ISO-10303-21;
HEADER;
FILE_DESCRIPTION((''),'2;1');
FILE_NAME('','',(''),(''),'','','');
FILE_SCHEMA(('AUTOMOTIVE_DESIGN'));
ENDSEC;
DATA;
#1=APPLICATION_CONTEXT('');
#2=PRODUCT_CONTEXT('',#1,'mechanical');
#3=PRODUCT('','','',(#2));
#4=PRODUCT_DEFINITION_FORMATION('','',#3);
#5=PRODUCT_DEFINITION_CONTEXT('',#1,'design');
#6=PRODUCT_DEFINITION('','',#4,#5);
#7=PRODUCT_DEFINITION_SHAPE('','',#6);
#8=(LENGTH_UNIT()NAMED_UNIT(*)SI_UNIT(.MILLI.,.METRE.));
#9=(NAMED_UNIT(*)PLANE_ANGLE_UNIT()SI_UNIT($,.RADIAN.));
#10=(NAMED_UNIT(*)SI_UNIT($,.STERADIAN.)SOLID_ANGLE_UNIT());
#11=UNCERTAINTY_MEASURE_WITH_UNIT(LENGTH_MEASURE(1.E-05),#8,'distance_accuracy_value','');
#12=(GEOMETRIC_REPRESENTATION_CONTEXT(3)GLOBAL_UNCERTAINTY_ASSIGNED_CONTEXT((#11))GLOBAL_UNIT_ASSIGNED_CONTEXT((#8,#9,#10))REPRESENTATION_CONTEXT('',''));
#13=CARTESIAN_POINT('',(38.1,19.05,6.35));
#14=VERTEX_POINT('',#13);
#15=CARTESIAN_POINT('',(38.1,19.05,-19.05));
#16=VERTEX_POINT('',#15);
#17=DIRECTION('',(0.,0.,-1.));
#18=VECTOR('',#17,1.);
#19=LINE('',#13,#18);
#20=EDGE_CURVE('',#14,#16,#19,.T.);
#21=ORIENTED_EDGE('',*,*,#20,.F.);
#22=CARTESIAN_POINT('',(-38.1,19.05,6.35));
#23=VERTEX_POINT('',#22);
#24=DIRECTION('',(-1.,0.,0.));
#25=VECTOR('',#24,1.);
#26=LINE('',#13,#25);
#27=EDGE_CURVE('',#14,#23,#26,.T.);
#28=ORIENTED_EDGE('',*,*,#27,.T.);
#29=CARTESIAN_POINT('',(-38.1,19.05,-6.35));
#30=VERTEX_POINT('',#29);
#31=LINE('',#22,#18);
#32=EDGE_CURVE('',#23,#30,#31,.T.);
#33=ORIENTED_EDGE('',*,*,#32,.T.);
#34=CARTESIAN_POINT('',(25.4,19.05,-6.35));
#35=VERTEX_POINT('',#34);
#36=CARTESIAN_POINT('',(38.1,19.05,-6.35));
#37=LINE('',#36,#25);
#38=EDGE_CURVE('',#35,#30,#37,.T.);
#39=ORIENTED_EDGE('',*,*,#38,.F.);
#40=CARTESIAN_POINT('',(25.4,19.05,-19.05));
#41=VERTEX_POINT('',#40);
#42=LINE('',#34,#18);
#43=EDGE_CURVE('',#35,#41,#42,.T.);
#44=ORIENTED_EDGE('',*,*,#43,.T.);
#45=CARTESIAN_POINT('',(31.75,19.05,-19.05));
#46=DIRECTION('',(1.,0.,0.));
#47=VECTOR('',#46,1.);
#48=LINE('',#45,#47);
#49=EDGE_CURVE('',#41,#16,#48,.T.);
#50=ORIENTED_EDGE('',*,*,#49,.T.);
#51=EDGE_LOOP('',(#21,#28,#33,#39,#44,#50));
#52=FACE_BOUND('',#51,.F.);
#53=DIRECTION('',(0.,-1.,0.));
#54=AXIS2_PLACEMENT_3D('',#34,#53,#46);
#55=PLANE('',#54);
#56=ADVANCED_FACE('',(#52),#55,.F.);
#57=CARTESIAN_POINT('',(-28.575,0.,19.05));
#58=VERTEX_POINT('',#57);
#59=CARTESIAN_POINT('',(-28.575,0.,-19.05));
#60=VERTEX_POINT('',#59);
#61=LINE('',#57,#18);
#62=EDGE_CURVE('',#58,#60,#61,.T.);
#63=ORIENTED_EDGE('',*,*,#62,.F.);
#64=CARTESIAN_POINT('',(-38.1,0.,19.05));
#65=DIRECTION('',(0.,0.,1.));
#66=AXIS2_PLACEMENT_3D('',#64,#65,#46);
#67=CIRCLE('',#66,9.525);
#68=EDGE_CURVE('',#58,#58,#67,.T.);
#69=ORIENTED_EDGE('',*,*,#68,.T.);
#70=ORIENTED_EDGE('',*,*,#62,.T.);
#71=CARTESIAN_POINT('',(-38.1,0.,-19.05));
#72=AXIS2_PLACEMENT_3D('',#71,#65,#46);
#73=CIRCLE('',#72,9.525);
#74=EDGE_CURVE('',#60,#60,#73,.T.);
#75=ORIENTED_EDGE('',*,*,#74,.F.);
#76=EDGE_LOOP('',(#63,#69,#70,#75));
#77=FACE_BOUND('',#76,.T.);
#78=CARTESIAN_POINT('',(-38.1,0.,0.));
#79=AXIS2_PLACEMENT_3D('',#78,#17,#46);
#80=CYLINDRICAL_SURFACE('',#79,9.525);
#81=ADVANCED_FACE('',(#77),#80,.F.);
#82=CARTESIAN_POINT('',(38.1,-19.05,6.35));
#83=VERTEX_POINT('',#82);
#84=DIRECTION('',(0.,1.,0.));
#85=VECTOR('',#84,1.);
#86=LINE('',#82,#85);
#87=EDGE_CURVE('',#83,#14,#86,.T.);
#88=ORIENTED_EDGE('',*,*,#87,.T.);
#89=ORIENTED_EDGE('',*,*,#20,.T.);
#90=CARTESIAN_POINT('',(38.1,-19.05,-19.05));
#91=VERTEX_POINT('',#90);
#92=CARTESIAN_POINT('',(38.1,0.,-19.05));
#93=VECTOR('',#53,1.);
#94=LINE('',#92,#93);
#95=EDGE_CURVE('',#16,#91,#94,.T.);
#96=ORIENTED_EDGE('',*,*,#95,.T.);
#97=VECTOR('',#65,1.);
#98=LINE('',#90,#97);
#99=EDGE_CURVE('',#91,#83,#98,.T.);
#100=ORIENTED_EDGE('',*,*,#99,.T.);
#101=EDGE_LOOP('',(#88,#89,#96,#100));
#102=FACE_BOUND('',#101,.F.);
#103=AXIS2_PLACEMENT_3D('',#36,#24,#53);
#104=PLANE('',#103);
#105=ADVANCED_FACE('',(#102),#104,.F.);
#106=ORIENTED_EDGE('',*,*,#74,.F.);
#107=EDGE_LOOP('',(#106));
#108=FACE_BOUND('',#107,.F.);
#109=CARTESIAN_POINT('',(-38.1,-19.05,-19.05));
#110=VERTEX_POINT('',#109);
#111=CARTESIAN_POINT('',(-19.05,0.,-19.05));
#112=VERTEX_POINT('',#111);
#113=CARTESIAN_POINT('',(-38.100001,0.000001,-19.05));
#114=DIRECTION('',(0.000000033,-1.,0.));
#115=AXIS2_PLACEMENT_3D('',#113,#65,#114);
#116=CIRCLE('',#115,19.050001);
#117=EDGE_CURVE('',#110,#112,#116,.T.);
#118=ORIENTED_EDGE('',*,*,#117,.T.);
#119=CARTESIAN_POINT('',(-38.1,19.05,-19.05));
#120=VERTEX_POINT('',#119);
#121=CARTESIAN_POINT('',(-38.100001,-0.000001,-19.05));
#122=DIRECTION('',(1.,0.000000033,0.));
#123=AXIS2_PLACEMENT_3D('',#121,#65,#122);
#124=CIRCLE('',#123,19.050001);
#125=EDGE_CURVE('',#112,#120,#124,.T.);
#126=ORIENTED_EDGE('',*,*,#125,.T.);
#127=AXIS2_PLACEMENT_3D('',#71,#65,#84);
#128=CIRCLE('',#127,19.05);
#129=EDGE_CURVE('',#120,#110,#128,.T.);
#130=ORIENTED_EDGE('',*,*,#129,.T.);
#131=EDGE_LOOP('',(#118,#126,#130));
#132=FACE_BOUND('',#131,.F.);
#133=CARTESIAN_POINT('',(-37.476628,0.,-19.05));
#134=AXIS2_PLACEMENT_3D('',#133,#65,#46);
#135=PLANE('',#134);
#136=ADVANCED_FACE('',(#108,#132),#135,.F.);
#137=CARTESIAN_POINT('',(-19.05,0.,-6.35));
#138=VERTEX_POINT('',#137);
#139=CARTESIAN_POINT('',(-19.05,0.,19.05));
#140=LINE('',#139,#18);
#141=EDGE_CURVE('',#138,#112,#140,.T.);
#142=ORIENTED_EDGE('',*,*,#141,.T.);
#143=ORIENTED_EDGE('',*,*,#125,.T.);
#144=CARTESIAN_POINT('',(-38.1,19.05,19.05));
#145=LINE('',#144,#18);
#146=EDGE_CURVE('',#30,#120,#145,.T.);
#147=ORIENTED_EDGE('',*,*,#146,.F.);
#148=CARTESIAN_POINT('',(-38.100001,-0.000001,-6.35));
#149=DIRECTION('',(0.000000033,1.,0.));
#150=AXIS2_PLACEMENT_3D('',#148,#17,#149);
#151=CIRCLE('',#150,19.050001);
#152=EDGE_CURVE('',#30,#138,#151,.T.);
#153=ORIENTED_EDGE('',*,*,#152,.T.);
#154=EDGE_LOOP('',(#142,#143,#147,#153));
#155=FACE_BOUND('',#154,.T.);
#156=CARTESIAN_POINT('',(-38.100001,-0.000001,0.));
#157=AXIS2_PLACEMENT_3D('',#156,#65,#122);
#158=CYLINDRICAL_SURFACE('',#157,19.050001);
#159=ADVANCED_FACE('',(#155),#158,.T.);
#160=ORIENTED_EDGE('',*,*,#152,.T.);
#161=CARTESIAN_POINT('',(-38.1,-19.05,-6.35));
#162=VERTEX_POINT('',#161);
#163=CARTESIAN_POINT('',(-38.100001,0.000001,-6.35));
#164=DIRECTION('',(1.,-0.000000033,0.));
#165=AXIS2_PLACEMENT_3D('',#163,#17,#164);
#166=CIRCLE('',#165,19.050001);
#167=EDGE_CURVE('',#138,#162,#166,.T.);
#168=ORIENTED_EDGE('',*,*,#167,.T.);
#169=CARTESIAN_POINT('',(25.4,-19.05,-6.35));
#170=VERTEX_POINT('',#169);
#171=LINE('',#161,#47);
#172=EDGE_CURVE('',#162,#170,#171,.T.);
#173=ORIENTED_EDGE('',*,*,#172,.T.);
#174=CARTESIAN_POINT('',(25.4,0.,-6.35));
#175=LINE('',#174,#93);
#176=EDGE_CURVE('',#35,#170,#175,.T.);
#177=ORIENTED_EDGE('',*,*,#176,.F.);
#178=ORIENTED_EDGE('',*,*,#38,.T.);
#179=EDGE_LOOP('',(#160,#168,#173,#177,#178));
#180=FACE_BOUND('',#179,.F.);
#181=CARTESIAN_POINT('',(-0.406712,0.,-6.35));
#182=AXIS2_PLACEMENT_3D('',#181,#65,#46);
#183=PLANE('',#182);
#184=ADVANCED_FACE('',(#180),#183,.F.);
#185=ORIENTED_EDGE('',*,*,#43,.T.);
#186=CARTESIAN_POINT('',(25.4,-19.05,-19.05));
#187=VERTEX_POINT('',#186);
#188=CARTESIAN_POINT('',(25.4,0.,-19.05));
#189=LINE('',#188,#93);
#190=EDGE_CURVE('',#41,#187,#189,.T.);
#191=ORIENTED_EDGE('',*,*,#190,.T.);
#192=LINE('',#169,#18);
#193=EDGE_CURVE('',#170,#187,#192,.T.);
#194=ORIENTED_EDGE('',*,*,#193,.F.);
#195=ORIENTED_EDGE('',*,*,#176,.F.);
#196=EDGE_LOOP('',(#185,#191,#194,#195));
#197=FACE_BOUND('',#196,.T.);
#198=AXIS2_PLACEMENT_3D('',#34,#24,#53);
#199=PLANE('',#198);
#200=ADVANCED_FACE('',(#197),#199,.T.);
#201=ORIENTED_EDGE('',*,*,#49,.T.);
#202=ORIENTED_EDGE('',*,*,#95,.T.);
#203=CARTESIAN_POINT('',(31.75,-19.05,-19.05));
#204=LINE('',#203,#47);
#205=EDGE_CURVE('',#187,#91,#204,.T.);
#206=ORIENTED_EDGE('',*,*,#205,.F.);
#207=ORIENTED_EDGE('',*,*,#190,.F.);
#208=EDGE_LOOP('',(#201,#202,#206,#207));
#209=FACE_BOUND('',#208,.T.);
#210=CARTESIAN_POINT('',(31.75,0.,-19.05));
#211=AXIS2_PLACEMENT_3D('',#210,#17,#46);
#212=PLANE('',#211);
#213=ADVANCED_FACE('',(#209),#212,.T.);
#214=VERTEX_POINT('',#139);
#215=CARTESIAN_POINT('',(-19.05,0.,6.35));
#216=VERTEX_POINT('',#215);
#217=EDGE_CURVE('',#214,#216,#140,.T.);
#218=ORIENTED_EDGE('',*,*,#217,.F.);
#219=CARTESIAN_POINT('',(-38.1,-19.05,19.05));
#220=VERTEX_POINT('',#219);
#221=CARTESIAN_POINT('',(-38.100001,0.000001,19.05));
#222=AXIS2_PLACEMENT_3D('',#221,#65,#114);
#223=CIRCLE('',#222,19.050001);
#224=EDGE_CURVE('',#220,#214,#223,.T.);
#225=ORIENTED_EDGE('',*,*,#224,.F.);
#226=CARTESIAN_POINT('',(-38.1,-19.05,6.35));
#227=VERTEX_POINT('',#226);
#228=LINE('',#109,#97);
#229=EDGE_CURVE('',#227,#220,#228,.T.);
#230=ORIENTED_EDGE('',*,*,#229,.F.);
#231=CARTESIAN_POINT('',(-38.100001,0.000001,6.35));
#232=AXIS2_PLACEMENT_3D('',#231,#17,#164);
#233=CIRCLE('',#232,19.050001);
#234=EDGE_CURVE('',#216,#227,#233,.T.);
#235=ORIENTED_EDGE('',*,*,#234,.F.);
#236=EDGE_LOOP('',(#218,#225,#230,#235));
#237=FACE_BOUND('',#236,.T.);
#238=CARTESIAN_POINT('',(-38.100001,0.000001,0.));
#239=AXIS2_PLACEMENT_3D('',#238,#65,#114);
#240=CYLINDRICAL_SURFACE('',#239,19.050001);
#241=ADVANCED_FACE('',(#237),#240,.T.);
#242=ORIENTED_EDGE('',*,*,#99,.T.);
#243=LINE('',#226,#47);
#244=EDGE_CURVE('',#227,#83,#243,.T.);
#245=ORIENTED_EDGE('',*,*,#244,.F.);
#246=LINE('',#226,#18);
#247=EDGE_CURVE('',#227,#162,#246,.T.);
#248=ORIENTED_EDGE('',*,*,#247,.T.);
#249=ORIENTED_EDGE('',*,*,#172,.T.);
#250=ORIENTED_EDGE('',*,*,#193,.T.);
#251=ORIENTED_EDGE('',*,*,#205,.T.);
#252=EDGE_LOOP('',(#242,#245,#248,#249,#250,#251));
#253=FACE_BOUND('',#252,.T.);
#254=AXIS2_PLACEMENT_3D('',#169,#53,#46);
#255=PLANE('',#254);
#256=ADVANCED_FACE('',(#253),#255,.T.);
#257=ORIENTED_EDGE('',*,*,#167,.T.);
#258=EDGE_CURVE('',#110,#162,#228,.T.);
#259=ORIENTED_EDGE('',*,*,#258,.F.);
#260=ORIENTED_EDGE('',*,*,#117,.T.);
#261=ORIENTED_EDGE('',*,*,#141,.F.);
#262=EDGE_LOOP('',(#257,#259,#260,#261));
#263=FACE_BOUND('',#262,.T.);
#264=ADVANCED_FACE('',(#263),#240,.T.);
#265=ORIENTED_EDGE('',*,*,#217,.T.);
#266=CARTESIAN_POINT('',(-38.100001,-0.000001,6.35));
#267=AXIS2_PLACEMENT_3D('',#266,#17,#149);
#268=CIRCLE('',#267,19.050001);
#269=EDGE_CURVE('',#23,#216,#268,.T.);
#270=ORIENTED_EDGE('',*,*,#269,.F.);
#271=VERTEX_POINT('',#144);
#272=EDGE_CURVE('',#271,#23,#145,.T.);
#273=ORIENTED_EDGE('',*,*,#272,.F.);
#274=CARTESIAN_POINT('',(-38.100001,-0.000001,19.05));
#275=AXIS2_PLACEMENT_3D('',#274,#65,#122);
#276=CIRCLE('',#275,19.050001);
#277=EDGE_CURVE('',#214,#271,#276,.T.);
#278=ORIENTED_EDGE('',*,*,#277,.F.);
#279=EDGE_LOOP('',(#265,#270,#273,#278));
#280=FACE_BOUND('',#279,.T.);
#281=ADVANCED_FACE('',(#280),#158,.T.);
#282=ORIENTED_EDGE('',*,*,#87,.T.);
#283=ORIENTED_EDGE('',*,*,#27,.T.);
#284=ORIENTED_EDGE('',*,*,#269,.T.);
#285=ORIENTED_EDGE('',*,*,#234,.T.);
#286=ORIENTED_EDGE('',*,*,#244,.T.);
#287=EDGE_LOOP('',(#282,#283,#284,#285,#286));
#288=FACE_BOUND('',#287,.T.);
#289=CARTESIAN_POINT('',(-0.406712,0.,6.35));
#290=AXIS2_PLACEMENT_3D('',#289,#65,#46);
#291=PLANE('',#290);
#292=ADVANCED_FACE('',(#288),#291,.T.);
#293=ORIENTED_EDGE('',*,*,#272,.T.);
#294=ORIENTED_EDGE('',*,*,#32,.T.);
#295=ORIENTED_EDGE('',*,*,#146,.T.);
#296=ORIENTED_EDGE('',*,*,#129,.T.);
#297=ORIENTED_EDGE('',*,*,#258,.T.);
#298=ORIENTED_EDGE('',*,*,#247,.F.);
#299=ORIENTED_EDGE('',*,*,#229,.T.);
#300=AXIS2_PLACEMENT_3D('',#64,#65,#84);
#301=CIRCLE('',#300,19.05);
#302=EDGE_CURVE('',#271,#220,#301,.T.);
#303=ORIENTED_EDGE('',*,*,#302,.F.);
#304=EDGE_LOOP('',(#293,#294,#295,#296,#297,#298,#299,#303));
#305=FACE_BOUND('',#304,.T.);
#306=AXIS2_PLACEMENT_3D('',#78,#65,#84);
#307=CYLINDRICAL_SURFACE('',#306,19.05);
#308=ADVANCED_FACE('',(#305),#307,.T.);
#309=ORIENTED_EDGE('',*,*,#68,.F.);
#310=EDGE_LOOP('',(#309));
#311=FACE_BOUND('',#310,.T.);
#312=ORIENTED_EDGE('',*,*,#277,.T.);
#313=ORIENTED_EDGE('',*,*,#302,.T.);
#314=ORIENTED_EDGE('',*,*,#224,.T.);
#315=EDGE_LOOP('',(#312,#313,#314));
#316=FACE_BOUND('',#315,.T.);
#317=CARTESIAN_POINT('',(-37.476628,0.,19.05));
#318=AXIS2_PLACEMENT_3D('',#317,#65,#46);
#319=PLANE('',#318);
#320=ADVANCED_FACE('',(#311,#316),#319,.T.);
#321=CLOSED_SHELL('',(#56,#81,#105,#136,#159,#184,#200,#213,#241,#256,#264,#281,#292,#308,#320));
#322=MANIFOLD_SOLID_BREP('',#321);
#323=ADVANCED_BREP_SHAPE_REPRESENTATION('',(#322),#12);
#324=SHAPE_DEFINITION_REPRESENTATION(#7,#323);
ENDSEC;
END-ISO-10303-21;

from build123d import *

# Parameters (mm, degrees)
F0_R     = 9.525
F1_DEPTH = 19.05
F2_DEPTH = 6.35
F3_W     = 12.7
F3_H     = 38.1
F4_DEPTH = 12.7


with BuildPart() as f1:
    # F0 (on Top) → F1 (new body, symmetric)
    with BuildSketch(Plane.XY):
        with BuildLine():
            ThreePointArc((-38.1, 19.05), (-57.15, 0), (-38.1, -19.05))
            ThreePointArc((-38.1, -19.05), (-24.629616, -13.470384), (-19.05, 0))
            ThreePointArc((-19.05, 0), (-24.629616, 13.470384), (-38.1, 19.05))
        make_face()
        with Locations((-38.1, 0)):
            Circle(F0_R, mode=Mode.SUBTRACT)
    extrude(amount=F1_DEPTH, both=True)

    # F0 (on Top) → F2 (join, symmetric)
    with BuildSketch(Plane.XY):
        with BuildLine():
            Line((-38.1, -19.05), (38.1, -19.05))
            Line((38.1, -19.05), (38.1, 19.05))
            Line((38.1, 19.05), (-38.1, 19.05))
            ThreePointArc((-38.1, 19.05), (-24.629616, 13.470384), (-19.05, 0))
            ThreePointArc((-19.05, 0), (-24.629616, -13.470384), (-38.1, -19.05))
        make_face()
    extrude(amount=F2_DEPTH, both=True)

    # F3 (on face) → F4 (join)
    with BuildSketch(Plane(origin=(0, 0, -6.35), x_dir=(1, 0, 0), z_dir=(0, 0, -1))):
        with Locations((31.75, 0)):
            Rectangle(F3_W, F3_H)
    extrude(amount=F4_DEPTH)


solid = f1.part
